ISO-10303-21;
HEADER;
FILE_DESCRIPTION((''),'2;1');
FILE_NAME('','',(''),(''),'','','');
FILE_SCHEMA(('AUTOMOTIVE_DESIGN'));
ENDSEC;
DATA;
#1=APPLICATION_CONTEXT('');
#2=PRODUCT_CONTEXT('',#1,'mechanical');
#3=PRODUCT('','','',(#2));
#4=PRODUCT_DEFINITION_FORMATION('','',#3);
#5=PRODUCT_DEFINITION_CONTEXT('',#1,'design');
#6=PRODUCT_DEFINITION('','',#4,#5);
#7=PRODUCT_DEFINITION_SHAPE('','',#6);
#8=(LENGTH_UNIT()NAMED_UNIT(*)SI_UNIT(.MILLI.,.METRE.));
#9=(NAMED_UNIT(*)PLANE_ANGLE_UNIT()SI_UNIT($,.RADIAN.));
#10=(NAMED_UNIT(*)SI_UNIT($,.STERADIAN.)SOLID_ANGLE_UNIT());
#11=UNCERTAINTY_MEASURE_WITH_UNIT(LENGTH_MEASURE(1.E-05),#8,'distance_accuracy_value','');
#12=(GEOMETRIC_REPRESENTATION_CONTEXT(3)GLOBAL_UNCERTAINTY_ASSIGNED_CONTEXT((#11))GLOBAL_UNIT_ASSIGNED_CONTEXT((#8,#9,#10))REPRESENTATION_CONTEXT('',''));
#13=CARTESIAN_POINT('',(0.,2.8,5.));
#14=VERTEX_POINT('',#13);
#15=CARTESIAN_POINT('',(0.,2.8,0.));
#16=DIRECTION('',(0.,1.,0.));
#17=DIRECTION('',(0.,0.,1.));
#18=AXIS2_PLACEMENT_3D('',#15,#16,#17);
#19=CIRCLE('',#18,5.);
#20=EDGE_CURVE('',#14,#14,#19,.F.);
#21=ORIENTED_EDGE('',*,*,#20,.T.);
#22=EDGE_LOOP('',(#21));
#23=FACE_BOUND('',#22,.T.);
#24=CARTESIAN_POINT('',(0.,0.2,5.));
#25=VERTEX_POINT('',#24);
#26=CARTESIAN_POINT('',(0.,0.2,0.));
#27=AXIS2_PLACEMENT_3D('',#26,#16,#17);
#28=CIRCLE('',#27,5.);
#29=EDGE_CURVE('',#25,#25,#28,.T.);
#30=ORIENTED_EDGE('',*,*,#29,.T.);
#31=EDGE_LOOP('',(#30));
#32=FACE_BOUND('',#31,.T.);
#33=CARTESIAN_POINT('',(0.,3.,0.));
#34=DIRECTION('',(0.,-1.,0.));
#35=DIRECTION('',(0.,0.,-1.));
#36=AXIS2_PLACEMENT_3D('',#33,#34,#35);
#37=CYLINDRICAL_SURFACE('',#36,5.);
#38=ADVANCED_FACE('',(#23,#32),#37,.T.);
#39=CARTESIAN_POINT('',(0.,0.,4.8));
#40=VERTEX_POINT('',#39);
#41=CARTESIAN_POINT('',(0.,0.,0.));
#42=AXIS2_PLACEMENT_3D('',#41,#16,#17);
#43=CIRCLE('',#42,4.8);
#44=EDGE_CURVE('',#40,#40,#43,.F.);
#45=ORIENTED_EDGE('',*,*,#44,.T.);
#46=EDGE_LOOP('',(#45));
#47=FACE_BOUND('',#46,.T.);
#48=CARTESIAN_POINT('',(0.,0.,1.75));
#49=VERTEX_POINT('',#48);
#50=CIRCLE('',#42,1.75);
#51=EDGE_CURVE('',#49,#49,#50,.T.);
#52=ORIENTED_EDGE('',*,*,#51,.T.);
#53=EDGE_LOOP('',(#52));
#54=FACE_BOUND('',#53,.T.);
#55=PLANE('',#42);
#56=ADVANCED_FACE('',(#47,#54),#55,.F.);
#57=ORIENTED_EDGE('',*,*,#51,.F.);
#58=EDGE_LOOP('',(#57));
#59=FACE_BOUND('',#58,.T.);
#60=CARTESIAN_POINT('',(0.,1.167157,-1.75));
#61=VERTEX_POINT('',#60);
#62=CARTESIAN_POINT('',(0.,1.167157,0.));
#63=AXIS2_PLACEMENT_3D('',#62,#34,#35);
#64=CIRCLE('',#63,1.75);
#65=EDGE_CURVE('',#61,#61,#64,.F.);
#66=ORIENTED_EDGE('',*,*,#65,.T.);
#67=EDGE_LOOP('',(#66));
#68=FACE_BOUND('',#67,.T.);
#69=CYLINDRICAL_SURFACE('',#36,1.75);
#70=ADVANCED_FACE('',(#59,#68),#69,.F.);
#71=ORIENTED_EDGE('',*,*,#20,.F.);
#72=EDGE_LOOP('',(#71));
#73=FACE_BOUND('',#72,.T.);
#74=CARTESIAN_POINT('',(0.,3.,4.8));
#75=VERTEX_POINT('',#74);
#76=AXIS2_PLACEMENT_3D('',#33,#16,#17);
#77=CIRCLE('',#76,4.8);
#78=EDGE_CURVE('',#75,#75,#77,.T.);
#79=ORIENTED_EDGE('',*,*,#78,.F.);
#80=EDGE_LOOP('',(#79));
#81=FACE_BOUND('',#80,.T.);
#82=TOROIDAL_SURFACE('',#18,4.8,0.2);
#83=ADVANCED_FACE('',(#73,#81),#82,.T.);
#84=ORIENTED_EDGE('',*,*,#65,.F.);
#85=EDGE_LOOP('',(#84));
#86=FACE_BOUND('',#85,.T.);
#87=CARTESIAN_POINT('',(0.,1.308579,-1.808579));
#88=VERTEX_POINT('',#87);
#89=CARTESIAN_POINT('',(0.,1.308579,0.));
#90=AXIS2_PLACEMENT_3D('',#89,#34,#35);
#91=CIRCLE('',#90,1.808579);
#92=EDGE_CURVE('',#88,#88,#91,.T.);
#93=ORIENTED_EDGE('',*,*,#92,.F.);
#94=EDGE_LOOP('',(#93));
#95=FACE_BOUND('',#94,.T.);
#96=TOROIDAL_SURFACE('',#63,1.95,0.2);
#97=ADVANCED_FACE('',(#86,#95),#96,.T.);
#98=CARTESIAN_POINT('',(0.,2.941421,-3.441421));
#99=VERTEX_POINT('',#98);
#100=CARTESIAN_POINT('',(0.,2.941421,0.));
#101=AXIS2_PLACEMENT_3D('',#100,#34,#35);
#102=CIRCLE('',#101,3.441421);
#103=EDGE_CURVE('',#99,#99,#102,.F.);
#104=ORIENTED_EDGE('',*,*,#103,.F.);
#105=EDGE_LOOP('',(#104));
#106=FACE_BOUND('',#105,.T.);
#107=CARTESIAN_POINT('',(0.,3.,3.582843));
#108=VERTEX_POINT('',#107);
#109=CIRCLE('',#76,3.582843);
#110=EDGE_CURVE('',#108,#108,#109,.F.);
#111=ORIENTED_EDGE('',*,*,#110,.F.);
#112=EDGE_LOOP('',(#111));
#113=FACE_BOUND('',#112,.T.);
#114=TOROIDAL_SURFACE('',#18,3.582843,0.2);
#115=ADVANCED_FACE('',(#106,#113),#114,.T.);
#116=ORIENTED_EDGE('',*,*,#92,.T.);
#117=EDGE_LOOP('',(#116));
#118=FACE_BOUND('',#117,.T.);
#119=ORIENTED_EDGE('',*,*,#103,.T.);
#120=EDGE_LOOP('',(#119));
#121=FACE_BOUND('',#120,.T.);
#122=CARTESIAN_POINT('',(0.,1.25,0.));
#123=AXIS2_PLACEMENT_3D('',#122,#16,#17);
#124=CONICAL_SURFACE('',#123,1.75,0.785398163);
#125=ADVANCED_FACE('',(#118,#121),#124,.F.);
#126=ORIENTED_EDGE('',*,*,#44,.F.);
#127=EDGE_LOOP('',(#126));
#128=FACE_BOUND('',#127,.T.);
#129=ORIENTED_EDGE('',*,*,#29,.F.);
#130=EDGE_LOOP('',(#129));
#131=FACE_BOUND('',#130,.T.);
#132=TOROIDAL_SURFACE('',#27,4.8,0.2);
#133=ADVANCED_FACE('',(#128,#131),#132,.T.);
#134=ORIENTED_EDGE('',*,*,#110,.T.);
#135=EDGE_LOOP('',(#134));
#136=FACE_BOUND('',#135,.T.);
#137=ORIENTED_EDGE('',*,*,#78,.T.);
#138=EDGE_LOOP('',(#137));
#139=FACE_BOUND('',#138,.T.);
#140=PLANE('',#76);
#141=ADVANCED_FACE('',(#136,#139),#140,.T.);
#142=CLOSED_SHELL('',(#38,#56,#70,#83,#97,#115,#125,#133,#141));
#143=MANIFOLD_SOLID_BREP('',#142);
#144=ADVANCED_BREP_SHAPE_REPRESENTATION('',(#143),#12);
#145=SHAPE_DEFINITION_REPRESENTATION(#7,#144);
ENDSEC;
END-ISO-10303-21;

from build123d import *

# Parameters (mm, degrees)
SKETCH_1_R      = 5
SKETCH_1_R_2    = 1.75
EXTRUDE_1_DEPTH = 3
CHAMFER_1_SIZE  = 1.75
FILLET_1_R      = 0.2


with BuildPart() as part:
    # Эскиз1 → Бобышка-Вытянуть1 (new body)
    with BuildSketch(Plane(origin=(0, 0, 0), x_dir=(1, 0, 0), z_dir=(0, 1, 0))):
        with Locations(Location((0, 0, 0), (0, 0, 270))):
            Circle(SKETCH_1_R)
        with Locations(Location((0, 0, 0), (0, 0, 270))):
            Circle(SKETCH_1_R_2, mode=Mode.SUBTRACT)
    extrude(amount=EXTRUDE_1_DEPTH)

    # Фаска1
    chamfer_1_edges = [part.edges().sort_by_distance(p)[0] for p in [
        (0, 3, -1.75),
    ]]
    chamfer(chamfer_1_edges, length=CHAMFER_1_SIZE)

    # Скругление1
    fillet_1_edges = [part.edges().sort_by_distance(p)[0] for p in [
        (0, 3, -3.5),
        (0, 0, -5),
        (0, 3, -5),
        (0, 1.25, -1.75),
    ]]
    fillet(fillet_1_edges, radius=FILLET_1_R)


solid = part.part
